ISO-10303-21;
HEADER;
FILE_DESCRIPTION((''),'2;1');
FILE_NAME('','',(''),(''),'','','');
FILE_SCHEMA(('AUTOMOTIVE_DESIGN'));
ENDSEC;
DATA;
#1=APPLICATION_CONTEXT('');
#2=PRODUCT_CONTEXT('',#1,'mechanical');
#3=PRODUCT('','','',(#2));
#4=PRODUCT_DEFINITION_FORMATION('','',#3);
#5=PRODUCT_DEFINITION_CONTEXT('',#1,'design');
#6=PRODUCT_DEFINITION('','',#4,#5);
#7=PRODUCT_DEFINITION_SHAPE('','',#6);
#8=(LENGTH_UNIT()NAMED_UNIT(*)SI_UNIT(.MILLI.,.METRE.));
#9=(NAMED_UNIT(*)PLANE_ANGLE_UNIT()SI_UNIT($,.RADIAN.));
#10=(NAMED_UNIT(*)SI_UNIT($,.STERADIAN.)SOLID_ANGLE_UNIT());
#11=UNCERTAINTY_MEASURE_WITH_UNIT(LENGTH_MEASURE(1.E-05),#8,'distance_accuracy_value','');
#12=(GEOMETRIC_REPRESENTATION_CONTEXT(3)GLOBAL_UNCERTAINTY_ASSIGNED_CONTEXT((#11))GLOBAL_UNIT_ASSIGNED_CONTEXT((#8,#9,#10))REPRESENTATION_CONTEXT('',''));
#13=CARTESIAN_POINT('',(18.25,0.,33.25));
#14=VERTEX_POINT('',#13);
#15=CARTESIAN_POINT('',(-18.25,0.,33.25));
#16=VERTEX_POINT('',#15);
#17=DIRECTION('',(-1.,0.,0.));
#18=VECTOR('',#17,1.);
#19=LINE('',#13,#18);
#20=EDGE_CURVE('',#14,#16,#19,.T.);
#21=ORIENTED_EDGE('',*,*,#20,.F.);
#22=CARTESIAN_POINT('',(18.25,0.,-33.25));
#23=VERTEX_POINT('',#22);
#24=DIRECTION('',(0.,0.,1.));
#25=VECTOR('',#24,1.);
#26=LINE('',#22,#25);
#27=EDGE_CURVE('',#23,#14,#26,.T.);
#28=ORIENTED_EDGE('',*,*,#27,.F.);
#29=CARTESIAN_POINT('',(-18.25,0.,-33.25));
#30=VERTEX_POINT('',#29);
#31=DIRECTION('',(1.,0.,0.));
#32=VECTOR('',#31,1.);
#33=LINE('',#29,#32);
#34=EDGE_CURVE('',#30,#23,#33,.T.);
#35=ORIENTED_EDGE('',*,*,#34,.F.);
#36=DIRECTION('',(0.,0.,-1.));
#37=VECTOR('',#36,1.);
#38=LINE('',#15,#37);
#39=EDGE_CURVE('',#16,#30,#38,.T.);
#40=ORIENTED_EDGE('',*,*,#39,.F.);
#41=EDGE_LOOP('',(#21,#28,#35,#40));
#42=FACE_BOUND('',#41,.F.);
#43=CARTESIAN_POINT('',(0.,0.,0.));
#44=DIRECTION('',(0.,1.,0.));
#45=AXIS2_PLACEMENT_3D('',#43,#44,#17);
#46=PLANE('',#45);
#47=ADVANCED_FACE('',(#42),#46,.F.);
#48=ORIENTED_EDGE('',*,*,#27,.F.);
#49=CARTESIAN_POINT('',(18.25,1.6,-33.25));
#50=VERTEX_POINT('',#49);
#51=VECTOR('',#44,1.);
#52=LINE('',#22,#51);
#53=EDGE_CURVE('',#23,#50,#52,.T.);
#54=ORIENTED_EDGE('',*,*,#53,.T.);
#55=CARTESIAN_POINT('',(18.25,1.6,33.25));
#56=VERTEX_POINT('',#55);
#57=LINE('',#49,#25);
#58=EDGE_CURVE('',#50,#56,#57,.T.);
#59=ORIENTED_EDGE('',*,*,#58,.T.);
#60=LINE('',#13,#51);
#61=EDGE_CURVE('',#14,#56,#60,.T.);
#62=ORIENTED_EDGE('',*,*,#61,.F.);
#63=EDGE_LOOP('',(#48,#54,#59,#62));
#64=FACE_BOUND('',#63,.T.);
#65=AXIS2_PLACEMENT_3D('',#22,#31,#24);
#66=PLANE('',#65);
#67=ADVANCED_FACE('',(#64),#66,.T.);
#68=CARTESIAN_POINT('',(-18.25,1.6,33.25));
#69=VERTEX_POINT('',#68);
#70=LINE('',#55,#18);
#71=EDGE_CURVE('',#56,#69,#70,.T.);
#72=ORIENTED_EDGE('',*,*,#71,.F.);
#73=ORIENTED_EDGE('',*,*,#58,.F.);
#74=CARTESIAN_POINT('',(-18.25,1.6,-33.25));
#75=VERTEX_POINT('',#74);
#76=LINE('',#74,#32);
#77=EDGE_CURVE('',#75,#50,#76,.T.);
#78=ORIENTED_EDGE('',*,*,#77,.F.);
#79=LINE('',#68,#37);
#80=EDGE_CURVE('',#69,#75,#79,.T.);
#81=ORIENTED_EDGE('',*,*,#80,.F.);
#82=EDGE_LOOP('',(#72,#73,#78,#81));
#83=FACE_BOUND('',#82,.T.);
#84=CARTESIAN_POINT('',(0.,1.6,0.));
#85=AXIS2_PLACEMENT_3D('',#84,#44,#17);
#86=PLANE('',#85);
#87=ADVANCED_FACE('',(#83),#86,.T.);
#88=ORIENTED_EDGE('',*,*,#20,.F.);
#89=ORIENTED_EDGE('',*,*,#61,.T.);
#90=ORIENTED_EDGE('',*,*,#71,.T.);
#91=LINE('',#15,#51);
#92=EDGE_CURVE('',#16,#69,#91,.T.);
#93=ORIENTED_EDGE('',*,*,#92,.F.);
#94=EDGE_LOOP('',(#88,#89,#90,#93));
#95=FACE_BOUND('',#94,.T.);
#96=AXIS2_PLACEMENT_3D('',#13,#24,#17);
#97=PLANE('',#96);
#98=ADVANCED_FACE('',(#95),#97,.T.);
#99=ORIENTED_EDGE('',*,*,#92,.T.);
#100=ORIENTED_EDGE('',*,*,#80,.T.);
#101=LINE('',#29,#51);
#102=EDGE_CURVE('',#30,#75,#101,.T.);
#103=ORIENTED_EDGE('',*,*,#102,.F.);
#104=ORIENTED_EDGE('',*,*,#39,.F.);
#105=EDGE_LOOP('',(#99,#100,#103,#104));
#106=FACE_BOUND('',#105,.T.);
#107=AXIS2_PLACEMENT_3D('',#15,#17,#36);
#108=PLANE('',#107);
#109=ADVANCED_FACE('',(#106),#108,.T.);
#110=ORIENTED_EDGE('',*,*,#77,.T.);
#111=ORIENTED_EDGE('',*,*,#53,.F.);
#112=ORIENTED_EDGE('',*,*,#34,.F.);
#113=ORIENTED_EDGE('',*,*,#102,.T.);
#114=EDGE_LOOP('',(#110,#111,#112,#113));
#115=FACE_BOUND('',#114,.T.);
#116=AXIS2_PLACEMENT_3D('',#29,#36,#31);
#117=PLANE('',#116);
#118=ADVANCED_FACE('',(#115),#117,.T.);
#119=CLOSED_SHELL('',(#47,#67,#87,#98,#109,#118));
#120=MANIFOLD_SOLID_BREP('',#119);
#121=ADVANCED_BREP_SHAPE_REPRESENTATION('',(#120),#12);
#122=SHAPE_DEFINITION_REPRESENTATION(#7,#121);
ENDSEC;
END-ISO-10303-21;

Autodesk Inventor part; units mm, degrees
ref_plane "YZ Plane" through (0, 0, 0) normal (1, 0, 0) x (0, 1, 0)
ref_plane "XZ Plane" through (0, 0, 0) normal (0, 1, 0) x (-1, 0, 0)
ref_plane "XY Plane" through (0, 0, 0) normal (0, 0, 1) x (1, 0, 0)
sketch "Sketch1" plane through (0, 0, 0) normal (0, 1, 0) x (-1, 0, 0)
  line L0 (-18.25, 33.25) -> (18.25, 33.25)
  line L1 (18.25, 33.25) -> (18.25, -33.25)
  line L2 (18.25, -33.25) -> (-18.25, -33.25)
  line L3 (-18.25, -33.25) -> (-18.25, 33.25)
  line L4 (-18.25, 33.25) -> (18.25, -33.25) construction
  line L5 (18.25, 33.25) -> (-18.25, -33.25) construction
  point P0 (0, 0)
  dimension "d0" = 36.5
  dimension "d1" = 66.5
extrude "Extrusion1" add sketch "Sketch1" along normal blind 1.6
properties part number "Logic Reg"
